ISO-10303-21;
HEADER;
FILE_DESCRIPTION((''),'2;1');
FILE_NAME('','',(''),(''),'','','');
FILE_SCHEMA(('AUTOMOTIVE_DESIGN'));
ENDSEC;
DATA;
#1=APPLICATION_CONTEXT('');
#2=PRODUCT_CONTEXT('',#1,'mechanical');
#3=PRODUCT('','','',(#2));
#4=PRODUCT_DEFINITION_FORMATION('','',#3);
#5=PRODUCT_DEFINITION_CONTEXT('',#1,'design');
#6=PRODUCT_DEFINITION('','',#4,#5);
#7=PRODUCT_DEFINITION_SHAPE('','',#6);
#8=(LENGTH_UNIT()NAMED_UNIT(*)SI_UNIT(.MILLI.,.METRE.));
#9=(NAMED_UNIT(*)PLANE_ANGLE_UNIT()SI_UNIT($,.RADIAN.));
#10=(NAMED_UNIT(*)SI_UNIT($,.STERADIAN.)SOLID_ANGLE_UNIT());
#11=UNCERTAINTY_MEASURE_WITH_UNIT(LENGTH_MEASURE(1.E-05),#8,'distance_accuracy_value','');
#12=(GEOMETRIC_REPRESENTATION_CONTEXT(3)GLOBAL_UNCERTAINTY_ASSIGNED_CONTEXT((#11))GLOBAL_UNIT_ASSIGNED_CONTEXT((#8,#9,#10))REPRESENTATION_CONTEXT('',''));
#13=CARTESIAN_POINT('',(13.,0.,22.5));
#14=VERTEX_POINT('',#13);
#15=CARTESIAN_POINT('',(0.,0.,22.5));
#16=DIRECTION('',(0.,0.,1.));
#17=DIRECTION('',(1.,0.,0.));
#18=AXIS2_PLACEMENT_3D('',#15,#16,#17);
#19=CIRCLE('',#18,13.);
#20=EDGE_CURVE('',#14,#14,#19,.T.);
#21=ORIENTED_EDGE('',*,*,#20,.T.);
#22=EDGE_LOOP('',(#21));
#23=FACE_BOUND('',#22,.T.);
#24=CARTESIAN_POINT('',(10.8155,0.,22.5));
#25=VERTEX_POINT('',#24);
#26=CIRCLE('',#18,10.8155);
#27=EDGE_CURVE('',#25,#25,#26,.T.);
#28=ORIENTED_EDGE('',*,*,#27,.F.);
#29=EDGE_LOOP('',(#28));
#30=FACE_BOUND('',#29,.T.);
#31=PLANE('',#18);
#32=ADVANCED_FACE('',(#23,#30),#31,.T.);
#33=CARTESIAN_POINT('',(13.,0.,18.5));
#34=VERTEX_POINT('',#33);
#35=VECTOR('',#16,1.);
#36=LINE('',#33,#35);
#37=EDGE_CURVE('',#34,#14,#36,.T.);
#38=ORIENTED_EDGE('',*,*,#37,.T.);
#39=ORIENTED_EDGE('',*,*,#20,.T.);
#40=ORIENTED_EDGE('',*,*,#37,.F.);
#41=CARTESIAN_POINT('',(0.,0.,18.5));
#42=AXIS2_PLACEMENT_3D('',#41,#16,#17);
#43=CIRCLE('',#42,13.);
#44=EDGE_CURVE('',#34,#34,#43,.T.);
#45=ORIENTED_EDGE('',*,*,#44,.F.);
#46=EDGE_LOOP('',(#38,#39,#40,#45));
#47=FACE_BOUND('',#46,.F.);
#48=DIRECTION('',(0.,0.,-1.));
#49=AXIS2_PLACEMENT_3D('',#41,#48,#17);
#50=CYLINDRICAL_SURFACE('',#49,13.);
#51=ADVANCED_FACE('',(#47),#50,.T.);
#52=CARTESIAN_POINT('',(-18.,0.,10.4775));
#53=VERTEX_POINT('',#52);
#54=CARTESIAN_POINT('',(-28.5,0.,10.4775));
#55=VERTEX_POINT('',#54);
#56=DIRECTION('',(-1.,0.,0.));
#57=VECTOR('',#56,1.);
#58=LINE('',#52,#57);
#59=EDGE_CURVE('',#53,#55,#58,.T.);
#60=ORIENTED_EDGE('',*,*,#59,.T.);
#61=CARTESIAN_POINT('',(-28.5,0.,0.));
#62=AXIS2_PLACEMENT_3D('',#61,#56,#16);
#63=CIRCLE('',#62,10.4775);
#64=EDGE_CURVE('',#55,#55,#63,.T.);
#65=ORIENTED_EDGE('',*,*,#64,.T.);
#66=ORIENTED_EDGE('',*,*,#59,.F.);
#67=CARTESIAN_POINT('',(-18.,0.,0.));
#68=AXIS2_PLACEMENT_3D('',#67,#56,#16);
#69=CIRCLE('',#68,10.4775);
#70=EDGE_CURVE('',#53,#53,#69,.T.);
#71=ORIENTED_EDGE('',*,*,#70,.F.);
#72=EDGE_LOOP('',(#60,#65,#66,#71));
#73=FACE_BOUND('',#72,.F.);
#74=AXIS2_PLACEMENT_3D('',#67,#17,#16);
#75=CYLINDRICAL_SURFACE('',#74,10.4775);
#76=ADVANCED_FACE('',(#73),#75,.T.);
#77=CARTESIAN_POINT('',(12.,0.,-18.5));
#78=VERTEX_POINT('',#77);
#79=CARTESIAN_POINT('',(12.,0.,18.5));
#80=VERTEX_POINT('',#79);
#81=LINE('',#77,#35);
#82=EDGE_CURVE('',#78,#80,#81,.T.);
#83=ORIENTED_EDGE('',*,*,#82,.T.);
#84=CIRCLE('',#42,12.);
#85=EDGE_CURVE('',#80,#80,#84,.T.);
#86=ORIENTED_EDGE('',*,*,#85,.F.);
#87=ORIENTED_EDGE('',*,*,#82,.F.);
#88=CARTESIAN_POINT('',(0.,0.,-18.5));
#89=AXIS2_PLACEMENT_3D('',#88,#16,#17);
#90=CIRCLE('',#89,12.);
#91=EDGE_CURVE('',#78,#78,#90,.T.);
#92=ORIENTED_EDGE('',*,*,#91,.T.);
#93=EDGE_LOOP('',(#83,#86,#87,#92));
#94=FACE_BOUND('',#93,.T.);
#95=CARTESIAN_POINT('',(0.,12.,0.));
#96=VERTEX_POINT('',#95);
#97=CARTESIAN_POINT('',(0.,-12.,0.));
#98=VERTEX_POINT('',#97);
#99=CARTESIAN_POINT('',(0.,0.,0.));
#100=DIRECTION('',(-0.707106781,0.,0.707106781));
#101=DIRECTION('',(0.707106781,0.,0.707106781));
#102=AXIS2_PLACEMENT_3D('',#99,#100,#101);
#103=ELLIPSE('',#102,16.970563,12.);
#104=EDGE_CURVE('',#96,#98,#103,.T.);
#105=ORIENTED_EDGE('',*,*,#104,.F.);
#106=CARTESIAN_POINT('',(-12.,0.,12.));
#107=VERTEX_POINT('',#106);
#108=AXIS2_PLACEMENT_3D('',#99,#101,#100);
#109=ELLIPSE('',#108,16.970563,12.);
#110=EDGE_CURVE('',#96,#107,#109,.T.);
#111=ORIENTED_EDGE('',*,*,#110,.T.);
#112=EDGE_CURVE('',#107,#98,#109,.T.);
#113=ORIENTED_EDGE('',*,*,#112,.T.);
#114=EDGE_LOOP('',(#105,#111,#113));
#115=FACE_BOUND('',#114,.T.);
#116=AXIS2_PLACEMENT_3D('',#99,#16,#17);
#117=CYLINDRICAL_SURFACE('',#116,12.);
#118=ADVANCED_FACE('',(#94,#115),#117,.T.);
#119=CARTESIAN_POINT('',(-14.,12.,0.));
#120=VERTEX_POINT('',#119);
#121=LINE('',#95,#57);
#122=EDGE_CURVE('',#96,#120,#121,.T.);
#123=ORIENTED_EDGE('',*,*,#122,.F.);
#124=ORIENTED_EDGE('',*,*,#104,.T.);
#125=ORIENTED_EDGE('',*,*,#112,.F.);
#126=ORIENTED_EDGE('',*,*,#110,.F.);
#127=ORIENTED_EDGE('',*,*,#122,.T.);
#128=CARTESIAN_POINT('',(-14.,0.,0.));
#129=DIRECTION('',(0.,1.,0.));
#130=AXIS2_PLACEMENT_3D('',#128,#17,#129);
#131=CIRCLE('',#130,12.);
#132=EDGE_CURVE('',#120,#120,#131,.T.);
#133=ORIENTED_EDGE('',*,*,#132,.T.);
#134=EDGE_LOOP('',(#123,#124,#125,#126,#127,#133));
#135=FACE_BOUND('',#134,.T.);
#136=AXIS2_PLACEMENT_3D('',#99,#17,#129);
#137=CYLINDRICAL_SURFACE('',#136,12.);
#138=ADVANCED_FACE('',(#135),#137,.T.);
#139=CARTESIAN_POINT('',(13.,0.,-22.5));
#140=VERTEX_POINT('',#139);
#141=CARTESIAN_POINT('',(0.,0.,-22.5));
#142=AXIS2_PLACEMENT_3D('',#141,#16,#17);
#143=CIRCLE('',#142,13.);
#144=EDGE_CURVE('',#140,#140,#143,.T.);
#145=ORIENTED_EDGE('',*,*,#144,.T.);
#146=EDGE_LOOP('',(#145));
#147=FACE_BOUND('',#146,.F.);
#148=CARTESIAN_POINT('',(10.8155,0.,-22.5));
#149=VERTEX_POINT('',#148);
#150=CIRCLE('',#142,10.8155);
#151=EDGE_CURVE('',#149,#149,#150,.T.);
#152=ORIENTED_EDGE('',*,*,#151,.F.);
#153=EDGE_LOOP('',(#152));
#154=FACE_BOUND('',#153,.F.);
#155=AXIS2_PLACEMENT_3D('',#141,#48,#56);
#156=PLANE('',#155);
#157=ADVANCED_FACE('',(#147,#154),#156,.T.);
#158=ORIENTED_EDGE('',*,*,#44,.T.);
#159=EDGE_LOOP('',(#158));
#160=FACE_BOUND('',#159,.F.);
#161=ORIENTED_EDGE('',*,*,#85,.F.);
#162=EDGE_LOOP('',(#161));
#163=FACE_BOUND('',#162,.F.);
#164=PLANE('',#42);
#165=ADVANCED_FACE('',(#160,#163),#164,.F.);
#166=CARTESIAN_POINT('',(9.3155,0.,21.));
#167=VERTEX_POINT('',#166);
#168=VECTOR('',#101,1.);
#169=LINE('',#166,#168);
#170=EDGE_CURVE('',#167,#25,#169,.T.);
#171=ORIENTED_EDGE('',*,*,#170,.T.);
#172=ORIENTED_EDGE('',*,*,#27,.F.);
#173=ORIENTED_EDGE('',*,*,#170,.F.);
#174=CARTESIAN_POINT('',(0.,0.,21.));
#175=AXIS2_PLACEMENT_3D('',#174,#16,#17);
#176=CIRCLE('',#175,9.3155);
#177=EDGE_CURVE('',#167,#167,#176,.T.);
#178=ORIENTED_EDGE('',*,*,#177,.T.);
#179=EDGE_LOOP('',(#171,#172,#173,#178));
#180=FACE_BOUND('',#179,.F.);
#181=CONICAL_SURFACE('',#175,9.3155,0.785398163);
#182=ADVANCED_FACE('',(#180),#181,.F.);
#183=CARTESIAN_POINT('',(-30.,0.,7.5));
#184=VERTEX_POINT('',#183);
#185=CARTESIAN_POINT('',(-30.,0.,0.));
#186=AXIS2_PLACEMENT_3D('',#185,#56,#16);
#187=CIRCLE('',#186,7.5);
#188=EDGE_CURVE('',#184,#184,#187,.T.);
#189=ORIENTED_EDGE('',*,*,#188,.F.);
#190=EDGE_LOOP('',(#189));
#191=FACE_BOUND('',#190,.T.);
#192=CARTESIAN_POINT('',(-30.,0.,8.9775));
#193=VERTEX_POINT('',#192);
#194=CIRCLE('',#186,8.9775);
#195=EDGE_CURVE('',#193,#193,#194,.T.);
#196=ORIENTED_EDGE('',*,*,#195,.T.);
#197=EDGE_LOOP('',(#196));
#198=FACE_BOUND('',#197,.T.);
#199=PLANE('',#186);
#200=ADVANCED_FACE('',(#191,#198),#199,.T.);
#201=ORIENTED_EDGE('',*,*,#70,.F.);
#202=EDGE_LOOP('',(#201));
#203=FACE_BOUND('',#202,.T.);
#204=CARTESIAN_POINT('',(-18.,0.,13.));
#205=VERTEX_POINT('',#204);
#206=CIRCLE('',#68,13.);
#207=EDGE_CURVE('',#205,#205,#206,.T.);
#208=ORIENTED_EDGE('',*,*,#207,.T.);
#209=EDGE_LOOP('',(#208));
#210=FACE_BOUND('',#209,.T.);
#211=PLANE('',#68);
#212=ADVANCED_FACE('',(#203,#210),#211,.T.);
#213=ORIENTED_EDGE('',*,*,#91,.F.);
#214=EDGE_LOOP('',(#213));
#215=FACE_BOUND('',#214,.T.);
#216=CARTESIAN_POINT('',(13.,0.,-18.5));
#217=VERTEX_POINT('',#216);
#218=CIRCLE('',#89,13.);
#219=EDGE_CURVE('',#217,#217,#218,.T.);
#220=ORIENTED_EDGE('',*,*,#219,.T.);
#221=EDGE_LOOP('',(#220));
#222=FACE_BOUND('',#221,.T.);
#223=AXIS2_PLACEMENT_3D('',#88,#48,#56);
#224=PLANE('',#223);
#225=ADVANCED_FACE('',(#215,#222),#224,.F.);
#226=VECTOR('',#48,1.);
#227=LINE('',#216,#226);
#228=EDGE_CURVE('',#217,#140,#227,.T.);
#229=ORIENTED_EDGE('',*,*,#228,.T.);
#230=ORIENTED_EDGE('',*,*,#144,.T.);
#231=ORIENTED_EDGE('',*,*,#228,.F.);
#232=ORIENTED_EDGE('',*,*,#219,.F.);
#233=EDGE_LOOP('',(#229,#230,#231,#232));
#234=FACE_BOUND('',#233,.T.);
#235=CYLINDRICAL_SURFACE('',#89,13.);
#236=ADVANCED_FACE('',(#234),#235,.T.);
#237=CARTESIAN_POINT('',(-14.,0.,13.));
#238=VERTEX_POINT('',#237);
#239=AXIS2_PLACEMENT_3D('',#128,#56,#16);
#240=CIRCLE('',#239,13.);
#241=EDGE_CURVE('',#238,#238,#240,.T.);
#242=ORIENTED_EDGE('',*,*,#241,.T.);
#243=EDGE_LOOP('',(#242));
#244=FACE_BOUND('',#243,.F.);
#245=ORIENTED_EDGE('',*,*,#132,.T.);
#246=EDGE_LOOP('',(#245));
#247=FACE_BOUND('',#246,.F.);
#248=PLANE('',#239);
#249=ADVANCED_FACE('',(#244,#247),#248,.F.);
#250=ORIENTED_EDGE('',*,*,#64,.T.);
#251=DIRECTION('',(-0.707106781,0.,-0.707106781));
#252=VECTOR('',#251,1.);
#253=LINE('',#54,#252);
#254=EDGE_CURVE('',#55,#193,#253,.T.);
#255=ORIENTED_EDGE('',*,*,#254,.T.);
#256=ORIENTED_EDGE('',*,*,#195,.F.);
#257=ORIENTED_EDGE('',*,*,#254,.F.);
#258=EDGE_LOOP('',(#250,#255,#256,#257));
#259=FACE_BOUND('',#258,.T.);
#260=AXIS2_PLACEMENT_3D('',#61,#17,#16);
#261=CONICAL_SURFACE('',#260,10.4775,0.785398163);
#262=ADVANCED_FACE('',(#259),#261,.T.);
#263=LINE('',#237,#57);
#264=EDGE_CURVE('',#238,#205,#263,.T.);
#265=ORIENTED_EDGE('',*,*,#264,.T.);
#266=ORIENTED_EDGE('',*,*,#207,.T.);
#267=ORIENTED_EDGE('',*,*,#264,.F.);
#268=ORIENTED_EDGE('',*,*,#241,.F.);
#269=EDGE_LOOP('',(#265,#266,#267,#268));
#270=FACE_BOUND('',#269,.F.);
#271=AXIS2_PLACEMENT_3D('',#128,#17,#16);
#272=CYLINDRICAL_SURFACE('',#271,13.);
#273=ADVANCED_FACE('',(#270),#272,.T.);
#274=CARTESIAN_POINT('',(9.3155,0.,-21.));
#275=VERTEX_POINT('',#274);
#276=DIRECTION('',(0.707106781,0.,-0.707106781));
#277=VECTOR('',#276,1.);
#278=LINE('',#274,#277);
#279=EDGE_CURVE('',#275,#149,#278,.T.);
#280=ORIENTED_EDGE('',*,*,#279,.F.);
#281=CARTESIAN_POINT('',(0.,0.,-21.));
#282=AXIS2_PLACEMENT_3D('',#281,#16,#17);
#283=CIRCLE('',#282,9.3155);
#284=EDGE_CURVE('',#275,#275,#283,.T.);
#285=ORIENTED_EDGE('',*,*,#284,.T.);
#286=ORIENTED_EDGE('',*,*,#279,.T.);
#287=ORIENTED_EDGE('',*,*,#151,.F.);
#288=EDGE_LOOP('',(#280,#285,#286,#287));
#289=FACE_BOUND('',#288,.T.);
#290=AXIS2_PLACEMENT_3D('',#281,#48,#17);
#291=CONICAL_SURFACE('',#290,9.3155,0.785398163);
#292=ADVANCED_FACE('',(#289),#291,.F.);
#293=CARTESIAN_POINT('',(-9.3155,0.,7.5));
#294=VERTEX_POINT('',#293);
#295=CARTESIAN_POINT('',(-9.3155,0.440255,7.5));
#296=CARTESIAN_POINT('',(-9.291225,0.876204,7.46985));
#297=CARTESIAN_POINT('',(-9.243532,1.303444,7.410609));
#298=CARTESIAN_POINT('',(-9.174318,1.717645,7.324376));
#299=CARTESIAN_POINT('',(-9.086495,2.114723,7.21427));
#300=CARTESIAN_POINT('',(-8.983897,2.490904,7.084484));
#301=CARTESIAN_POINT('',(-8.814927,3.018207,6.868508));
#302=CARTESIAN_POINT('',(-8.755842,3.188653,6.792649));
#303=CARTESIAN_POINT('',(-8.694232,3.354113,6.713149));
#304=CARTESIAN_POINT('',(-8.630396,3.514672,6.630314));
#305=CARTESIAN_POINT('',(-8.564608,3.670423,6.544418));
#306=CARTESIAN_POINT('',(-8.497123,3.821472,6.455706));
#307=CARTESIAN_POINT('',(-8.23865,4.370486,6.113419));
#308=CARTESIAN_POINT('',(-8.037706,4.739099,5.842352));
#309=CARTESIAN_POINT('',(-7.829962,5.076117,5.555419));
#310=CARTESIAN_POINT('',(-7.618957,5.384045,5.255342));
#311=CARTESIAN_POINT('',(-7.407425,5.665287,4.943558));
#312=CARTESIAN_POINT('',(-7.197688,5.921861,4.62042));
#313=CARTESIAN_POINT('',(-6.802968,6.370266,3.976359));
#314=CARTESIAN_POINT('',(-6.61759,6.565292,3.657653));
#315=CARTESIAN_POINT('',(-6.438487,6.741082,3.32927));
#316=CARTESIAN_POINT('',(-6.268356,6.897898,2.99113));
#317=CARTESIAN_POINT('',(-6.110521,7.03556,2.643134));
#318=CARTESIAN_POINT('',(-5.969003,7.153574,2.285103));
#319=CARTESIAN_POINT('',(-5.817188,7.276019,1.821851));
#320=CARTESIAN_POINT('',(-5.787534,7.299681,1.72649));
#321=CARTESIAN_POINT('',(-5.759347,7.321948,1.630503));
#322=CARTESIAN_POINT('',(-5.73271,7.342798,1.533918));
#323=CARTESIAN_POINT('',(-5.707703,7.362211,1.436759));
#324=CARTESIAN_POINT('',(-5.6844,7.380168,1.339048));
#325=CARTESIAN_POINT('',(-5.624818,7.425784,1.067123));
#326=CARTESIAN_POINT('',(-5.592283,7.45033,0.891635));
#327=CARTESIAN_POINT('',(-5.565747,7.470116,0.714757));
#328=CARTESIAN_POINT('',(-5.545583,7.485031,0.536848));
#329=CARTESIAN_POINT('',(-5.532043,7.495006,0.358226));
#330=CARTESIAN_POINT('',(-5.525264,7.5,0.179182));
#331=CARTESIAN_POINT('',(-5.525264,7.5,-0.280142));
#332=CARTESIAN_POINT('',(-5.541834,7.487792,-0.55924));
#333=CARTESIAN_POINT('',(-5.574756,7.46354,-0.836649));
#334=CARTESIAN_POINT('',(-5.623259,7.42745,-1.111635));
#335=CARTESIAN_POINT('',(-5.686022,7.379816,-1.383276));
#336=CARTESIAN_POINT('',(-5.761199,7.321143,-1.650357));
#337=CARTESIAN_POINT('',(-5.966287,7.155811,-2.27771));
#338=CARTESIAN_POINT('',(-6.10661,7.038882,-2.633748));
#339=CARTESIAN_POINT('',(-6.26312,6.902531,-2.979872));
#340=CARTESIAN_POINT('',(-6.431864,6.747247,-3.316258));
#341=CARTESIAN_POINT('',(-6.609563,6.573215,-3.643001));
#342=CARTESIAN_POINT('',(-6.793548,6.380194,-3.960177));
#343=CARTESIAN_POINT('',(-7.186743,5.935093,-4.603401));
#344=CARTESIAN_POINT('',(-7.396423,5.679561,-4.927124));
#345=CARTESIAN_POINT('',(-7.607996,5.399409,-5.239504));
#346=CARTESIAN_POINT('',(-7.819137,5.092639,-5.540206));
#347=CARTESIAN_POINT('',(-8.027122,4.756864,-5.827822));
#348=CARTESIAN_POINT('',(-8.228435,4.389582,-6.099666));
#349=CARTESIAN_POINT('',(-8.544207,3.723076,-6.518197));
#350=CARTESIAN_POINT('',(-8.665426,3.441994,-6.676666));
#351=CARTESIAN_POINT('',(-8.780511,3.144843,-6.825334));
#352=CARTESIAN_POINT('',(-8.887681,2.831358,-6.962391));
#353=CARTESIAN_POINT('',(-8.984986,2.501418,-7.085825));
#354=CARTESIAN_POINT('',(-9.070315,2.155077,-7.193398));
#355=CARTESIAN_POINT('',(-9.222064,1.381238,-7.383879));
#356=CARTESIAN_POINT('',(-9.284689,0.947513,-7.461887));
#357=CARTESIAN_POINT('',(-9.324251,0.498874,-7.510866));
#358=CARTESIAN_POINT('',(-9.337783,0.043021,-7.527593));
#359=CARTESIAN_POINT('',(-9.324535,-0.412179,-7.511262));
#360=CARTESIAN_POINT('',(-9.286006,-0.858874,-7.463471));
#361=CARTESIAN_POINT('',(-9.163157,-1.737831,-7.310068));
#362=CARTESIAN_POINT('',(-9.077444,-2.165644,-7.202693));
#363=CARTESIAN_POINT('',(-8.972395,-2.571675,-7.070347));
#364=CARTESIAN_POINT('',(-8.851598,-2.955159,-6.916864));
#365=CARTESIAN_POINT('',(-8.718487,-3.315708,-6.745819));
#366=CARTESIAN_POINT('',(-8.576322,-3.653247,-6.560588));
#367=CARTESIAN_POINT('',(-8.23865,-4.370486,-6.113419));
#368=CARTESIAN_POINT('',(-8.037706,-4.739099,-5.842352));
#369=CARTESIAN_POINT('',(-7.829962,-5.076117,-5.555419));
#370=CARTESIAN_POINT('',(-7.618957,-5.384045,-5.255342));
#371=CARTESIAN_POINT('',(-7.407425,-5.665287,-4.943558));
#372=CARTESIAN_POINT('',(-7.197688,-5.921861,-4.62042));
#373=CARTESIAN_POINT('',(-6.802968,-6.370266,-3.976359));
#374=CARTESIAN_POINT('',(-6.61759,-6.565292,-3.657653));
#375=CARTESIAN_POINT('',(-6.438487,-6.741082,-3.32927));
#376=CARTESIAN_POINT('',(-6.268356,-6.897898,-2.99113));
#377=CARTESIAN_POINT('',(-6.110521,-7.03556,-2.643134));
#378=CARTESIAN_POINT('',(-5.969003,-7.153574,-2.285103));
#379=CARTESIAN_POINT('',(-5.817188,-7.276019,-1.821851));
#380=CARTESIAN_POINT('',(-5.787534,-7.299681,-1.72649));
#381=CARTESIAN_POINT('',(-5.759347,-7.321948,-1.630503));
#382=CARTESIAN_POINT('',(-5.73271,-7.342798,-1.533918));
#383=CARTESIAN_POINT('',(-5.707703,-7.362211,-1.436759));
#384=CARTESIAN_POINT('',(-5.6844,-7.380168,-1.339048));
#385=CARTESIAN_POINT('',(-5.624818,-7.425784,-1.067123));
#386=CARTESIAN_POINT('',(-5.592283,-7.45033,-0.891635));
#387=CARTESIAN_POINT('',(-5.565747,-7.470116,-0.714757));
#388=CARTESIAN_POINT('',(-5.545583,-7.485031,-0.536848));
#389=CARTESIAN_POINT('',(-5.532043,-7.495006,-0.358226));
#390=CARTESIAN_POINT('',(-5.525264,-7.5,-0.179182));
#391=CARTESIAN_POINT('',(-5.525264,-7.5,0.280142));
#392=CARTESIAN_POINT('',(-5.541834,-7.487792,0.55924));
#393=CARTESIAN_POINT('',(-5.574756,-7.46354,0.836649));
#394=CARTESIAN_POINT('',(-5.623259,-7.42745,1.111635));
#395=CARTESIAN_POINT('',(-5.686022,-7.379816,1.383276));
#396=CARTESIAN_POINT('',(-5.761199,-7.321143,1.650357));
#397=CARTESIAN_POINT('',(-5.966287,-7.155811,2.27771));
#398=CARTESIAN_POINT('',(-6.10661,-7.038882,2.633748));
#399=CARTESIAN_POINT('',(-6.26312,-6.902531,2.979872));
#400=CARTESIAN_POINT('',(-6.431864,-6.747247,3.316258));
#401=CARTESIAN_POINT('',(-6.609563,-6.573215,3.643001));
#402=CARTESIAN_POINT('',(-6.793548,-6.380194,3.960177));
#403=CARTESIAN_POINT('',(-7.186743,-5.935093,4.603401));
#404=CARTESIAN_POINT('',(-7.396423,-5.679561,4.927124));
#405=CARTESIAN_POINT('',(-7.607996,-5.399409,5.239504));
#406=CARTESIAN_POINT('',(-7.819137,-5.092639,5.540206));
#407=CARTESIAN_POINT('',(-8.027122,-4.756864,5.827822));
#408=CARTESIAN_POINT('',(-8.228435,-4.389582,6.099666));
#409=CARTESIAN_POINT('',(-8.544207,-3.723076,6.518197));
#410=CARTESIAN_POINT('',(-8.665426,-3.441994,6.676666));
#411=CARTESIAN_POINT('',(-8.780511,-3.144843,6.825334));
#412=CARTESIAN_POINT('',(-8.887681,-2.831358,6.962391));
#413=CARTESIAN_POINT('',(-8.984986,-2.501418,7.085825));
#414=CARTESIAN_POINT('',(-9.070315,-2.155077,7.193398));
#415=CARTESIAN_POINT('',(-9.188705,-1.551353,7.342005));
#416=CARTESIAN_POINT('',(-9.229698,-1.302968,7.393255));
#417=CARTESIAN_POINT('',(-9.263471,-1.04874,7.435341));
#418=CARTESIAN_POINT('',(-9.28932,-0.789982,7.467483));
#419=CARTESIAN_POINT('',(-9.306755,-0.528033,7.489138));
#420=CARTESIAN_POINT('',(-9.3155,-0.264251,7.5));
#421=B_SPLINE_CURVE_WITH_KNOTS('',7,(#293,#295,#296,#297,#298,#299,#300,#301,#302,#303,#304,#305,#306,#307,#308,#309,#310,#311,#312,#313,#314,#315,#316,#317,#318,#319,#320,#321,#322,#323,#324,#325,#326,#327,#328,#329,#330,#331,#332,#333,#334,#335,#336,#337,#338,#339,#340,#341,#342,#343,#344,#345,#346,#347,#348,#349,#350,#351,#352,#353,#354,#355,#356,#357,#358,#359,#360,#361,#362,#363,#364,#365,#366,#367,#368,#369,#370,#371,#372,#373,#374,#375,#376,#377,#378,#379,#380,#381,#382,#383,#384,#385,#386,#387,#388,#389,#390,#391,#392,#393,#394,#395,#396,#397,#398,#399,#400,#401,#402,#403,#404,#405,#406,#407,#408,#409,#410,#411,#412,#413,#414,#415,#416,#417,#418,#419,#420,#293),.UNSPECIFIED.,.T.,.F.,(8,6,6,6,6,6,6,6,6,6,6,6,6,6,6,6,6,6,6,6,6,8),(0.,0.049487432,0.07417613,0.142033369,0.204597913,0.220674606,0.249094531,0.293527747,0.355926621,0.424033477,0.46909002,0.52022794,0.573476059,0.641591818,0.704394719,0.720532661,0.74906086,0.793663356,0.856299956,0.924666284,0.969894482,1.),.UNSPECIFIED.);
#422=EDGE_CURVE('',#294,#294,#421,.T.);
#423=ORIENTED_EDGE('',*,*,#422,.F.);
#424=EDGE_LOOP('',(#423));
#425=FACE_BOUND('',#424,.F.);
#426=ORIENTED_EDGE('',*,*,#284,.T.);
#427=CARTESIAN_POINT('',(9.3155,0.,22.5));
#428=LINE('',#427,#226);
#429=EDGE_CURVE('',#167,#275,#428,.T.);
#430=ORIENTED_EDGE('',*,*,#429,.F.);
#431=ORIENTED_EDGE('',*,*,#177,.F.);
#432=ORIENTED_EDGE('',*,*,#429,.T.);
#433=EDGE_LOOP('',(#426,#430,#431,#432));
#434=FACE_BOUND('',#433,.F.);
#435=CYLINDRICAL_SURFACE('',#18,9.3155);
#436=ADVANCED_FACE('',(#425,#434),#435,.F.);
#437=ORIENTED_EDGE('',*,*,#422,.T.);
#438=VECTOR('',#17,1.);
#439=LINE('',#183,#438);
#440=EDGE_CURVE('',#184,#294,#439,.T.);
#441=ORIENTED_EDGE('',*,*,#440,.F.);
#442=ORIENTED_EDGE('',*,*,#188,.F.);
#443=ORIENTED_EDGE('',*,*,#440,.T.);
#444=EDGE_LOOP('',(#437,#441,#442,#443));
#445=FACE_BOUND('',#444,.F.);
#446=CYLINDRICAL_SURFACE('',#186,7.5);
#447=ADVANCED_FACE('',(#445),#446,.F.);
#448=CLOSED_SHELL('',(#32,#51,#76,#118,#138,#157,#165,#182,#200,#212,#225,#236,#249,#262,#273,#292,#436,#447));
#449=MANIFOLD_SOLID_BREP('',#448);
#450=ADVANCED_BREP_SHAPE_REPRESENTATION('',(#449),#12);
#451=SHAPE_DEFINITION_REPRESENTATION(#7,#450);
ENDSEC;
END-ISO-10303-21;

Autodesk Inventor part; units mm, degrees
ref_plane "YZ Plane" through (0, 0, 0) normal (1, 0, 0) x (0, 1, 0)
ref_plane "XZ Plane" through (0, 0, 0) normal (0, 1, 0) x (-1, 0, 0)
ref_plane "XY Plane" through (0, 0, 0) normal (0, 0, 1) x (1, 0, 0)
sketch "Эскиз1" plane through (0, 0, 0) normal (0, 0, 1) x (1, 0, 0)
  circle A0 centre (0, 0) radius 12
  dimension "d0" = 24
extrude "Выдавливание1" add sketch "Эскиз1" along normal mid plane 37
sketch "Эскиз7" plane through (0, 0, 18.5) normal (0, 0, 1) x (1, 0, 0)
  circle A0 centre (0, 0) radius 13
  dimension "d27" = 26
extrude "Выдавливание7" add sketch "Эскиз7" along normal blind 4
mirror "Зеркальное отражение1" about plane through (0, 0, 0) normal (0, 0, 1) of "Выдавливание7"
sketch "Эскиз8" plane through (0, 0, 0) normal (1, 0, 0) x (0, 1, 0)
  circle A0 centre (0, 0) radius 12
  dimension "d30" = 24
extrude "Выдавливание8" add sketch "Эскиз8" against normal blind 14
sketch "Эскиз9" plane through (-14, 0, 0) normal (-1, 0, 0) x (0, 0, 1)
  circle A0 centre (0, 0) radius 13
  dimension "d33" = 26
extrude "Выдавливание9" add sketch "Эскиз9" along normal blind 4
sketch "Эскиз10" plane through (-18, 0, 0) normal (-1, 0, 0) x (0, 0, 1)
  circle A0 centre (0, 0) radius 10.4775
  dimension "d36" = 20.955
extrude "Выдавливание10" add sketch "Эскиз10" along normal blind 12
thread "Резьба1" size "G20.955x1.814" designation "G 1/2" class "A" standard "ISO Pipe Threads" length 11
sketch "Эскиз11" plane through (0, 0, 22.5) normal (0, 0, 1) x (1, 0, 0)
  circle A0 centre (0, 0) radius 9.3155
  dimension "d41" = 18.631
extrude "Выдавливание11" cut sketch "Эскиз11" against normal through all
thread "Резьба2" size "G20.955x1.814" designation "G 1/2" standard "ISO Pipe Threads" length 12
thread "Резьба3" size "G20.955x1.814" designation "G 1/2" standard "ISO Pipe Threads" length 12
sketch "Эскиз12" plane through (-30, 0, 0) normal (-1, 0, 0) x (0, 0, 1)
  circle A0 centre (0, 0) radius 7.5
  dimension "d48" = 15
extrude "Выдавливание12" cut sketch "Эскиз12" against normal up to next
chamfer "Фаска5" distance 1.5 angle 45 1 edges at (-30, 0, -10.4775)
chamfer "Фаска6" distance 1.5 angle 45 1 edges at (-9.3155, 0, -22.5)
chamfer "Фаска7" distance 1.5 angle 45 1 edges at (-9.3155, 0, 22.5)
properties part number "Инж_граф_2"
